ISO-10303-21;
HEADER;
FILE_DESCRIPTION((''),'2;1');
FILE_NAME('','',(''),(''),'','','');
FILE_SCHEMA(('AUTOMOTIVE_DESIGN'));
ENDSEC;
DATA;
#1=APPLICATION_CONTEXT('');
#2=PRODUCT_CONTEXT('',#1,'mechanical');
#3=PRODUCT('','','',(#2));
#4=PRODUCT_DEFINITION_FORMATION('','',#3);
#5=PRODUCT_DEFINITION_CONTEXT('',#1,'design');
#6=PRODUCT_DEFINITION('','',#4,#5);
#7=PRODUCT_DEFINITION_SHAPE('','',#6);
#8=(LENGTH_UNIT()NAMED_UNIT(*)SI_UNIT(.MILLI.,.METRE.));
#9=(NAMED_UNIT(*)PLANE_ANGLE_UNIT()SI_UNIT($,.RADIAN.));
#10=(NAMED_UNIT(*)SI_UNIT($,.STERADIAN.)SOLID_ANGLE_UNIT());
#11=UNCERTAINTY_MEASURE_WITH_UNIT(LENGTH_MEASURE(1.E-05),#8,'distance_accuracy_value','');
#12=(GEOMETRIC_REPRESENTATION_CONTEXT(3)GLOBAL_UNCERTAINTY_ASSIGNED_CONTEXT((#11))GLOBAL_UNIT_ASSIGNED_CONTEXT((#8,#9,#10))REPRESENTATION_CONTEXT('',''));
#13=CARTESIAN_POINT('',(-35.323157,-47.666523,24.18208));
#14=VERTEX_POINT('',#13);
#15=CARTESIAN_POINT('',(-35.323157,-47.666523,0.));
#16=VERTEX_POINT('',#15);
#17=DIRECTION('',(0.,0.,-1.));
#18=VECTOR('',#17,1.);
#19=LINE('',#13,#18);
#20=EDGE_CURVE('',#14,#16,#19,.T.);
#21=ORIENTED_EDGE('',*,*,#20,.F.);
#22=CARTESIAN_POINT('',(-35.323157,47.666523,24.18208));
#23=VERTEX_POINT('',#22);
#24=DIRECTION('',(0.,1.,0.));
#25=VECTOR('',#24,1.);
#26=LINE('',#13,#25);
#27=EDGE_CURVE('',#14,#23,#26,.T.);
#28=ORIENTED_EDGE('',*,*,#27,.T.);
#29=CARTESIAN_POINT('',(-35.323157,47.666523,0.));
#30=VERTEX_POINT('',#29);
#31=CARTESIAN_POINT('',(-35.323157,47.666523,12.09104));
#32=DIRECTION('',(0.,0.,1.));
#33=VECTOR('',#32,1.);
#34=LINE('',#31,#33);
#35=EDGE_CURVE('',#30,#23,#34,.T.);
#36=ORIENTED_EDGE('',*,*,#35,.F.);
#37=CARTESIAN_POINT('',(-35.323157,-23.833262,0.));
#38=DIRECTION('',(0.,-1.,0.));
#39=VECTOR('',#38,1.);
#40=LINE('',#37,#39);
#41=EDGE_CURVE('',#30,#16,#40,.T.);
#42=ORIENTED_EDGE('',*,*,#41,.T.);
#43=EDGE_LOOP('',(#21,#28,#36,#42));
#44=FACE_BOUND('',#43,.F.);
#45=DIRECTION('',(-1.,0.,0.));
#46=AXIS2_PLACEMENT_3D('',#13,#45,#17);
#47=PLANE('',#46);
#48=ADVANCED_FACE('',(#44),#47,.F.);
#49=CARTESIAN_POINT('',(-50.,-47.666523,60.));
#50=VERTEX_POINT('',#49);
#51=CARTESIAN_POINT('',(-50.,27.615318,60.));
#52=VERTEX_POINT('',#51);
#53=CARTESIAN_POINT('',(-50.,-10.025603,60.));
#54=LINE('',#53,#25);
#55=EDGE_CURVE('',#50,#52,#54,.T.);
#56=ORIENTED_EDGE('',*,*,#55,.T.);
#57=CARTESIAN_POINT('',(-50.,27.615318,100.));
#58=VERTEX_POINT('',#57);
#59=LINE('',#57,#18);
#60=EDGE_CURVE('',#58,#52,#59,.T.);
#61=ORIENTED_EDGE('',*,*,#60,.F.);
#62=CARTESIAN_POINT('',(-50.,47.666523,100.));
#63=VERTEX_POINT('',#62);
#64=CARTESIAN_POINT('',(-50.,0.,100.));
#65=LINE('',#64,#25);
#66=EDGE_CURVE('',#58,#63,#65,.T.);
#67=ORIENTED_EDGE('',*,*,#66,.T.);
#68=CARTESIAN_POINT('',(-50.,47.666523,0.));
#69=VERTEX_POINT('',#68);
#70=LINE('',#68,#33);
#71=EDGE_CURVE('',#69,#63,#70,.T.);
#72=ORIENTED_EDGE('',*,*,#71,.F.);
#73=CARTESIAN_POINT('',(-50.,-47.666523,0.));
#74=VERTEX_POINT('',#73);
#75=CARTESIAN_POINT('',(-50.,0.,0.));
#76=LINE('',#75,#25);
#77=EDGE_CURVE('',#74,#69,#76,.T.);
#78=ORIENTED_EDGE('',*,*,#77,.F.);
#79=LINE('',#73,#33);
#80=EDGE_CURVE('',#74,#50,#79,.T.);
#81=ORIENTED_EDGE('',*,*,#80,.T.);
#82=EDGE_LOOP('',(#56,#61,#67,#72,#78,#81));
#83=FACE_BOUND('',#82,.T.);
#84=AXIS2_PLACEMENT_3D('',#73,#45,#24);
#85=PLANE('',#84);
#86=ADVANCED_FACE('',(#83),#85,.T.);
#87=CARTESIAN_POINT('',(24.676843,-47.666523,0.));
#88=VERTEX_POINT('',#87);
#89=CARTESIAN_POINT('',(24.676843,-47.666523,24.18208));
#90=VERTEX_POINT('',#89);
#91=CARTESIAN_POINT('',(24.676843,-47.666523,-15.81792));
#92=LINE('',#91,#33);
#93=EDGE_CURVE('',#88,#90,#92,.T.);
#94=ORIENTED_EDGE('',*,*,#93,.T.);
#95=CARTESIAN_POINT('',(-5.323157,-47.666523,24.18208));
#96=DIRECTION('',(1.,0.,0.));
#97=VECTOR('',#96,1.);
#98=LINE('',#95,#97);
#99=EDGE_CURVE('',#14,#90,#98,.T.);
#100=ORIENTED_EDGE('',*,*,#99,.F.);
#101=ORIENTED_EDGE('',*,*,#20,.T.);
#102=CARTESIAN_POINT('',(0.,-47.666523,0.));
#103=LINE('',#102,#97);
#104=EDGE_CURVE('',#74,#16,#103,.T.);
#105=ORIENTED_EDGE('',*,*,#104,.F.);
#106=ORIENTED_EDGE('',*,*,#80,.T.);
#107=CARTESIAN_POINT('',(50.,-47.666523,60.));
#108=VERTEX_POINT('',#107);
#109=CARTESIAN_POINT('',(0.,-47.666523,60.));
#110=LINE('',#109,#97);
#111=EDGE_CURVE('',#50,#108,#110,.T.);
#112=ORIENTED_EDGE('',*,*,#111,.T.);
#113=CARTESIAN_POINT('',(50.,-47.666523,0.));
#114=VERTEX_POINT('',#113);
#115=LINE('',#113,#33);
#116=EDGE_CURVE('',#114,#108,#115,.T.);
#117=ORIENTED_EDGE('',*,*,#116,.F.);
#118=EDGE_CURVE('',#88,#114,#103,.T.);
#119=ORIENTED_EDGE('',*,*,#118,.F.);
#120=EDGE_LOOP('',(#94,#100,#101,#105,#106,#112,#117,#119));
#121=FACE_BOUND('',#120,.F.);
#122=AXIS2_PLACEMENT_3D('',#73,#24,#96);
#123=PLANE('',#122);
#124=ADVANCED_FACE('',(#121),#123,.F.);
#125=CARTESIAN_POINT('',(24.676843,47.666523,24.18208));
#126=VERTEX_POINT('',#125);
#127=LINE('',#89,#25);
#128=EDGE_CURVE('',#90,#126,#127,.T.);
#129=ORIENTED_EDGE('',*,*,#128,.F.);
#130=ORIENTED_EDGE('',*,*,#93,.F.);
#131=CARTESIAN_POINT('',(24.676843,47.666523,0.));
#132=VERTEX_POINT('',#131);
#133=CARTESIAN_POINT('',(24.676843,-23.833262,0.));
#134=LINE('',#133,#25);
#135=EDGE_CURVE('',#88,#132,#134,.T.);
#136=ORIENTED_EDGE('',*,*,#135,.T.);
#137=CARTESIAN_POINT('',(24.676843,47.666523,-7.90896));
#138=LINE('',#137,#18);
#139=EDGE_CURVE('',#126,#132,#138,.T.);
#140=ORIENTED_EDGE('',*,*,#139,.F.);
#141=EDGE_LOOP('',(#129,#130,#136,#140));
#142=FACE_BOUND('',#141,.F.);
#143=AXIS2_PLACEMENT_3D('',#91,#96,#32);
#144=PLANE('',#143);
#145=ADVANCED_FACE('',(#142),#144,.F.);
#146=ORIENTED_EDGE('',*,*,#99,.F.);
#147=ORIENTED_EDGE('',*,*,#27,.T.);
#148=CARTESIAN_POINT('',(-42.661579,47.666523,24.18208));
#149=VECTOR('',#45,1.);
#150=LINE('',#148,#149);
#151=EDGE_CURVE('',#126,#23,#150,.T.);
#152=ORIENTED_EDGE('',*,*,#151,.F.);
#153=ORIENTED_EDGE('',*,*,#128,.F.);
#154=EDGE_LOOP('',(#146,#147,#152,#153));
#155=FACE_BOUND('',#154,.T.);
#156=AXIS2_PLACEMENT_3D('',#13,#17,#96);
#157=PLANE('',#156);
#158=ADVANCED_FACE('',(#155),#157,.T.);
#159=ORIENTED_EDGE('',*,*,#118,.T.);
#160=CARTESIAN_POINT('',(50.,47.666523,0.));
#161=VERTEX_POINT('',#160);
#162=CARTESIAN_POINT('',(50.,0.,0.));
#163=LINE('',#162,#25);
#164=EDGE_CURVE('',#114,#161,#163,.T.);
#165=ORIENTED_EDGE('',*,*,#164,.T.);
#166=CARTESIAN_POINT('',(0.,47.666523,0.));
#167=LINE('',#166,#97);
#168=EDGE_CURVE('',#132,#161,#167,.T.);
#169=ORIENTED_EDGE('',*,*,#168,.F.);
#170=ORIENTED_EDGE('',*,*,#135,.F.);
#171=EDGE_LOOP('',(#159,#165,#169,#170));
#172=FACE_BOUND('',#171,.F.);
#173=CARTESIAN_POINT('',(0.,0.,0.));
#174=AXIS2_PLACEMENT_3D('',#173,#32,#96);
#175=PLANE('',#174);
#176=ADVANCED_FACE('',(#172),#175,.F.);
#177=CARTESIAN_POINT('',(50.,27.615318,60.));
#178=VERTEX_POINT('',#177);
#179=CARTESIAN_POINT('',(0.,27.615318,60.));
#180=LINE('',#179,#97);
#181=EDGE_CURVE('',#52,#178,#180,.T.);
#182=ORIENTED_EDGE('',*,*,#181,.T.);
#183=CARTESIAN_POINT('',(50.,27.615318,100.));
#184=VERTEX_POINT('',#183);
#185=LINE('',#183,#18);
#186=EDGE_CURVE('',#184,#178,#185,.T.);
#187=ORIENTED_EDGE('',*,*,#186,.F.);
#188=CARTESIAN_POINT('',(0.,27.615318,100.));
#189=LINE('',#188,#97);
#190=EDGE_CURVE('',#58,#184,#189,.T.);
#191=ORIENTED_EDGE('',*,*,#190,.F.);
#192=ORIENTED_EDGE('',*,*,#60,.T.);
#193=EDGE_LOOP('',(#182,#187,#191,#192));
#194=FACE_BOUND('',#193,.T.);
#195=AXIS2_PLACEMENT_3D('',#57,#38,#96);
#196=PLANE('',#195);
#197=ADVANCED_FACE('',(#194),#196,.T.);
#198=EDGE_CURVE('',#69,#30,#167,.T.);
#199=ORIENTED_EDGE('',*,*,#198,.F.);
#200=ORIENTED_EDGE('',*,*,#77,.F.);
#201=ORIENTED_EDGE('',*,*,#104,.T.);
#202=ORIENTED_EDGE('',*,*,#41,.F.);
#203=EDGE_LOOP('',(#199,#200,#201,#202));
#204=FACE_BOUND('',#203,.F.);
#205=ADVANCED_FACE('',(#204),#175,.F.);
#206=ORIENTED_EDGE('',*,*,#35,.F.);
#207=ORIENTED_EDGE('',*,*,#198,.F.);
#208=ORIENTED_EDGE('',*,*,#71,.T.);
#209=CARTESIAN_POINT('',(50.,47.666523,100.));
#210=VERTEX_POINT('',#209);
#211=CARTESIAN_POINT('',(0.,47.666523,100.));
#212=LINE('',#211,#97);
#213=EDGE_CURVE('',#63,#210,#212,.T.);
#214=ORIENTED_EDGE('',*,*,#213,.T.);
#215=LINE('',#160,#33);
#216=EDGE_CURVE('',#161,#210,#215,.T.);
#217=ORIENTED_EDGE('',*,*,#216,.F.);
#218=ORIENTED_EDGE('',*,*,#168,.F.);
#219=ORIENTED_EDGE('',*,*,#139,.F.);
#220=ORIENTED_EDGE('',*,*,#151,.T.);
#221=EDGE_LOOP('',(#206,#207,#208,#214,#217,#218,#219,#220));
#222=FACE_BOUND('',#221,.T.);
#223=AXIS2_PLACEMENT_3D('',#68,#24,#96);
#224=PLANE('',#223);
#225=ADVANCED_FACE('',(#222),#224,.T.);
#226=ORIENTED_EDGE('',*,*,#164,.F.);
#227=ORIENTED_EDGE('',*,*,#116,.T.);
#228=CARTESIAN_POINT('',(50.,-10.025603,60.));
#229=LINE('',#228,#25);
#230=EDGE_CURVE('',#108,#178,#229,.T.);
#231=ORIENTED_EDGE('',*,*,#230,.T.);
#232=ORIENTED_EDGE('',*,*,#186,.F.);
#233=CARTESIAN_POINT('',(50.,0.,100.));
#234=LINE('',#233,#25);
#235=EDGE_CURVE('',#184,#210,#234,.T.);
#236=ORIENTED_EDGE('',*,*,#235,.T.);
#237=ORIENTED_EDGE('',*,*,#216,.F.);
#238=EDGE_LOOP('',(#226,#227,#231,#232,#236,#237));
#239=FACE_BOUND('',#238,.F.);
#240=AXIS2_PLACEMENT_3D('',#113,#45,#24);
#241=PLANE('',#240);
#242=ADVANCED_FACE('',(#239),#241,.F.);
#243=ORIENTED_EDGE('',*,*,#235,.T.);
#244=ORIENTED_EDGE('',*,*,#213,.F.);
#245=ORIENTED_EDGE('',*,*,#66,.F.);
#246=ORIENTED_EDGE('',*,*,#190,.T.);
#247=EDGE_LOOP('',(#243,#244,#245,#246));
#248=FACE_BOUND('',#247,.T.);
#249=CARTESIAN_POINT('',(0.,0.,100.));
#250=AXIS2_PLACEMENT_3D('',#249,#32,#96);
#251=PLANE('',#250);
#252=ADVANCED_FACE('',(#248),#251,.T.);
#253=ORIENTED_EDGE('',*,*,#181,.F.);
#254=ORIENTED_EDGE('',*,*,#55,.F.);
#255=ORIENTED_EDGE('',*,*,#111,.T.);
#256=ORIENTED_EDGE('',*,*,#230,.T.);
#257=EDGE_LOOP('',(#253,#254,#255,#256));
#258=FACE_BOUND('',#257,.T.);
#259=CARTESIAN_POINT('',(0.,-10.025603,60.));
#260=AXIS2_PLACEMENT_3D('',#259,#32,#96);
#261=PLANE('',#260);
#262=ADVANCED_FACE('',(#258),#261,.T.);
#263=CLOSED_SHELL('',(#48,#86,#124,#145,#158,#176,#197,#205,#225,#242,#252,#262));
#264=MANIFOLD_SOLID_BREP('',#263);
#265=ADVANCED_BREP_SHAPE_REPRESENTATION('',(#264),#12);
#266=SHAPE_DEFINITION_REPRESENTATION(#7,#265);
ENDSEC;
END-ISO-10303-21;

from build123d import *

# Parameters (mm, degrees)
F0_W     = 100
F0_H     = 95.3330463706
F1_DEPTH = 100
F2_W     = 100
F2_H     = 75.2818412601
F3_DEPTH = 40
F4_W     = 60
F4_H     = 15.817919746
F4_H_2   = 24.182080254
F5_DEPTH = 95.3340463706


with BuildPart() as f1:
    # F0 (on Top) → F1 (new body)
    with BuildSketch(Plane.XY):
        Rectangle(F0_W, F0_H)
    extrude(amount=F1_DEPTH)

    # F2 (on face) → F3 (cut)
    with BuildSketch(Plane.XY.offset(100)):
        with Locations((0, -10.0256025552)):
            Rectangle(F2_W, F2_H)
    extrude(amount=-F3_DEPTH, mode=Mode.SUBTRACT)

    # F4 (on face) → F5 (cut, through all)
    with BuildSketch(Plane.XZ.offset(47.6665231853)):
        with Locations((-5.323157385, -7.908959873)):
            Rectangle(F4_W, F4_H)
        with Locations((-5.323157385, 12.091040127)):
            Rectangle(F4_W, F4_H_2)
    extrude(amount=-F5_DEPTH, mode=Mode.SUBTRACT)


solid = f1.part
